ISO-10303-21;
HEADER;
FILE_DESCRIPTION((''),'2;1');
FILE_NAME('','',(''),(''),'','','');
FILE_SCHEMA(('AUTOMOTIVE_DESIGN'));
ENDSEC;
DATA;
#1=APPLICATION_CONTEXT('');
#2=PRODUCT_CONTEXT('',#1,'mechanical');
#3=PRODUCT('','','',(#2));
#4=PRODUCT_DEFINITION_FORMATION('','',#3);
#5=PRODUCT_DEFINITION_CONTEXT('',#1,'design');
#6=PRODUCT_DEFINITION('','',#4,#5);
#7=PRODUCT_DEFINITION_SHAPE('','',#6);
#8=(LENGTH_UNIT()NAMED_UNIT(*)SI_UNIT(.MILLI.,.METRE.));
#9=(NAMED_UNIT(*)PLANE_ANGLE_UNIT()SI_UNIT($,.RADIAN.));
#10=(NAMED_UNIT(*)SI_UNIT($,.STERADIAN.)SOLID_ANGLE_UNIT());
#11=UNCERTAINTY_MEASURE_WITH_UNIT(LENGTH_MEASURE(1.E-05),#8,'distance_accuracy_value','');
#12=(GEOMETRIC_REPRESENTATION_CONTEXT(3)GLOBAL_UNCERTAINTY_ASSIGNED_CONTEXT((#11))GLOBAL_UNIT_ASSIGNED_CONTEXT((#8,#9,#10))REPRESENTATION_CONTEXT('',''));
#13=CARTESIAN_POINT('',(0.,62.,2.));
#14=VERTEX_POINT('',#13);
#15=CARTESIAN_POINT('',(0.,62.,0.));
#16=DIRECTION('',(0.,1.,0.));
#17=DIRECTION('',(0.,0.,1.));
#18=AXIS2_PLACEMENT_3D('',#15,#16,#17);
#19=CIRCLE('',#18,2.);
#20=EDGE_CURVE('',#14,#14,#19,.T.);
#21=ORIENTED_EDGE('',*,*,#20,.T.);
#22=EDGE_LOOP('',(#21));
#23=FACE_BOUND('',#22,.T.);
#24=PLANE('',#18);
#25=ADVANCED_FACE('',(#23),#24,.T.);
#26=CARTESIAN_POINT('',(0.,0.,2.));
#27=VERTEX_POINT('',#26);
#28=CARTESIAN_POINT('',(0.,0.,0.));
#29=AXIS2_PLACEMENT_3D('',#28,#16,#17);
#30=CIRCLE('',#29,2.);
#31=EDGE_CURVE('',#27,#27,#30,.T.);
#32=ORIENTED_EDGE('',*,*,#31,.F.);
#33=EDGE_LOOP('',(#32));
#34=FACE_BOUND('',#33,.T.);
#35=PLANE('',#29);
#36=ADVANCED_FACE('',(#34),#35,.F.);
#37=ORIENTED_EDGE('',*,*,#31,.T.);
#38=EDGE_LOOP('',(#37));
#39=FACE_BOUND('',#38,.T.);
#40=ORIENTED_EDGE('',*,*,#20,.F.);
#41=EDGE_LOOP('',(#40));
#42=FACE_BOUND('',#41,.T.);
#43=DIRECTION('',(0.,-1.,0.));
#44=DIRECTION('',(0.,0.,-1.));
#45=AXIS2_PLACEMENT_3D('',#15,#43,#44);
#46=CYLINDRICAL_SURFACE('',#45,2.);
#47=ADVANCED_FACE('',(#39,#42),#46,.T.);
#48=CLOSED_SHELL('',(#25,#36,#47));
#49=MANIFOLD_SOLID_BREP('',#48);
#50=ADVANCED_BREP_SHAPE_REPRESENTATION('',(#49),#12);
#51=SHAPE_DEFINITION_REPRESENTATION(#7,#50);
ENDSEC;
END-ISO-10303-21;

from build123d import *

# Parameters (mm, degrees)
ESQUISSE1_R        = 2
BOSS_EXTRU_1_DEPTH = 62


with BuildPart() as part:
    # Esquisse1 → Boss.-Extru.1 (new body)
    with BuildSketch(Plane(origin=(0, 0, 0), x_dir=(1, 0, 0), z_dir=(0, 1, 0))):
        with Locations(Location((0, 0, 0), (0, 0, 270))):
            Circle(ESQUISSE1_R)
    extrude(amount=BOSS_EXTRU_1_DEPTH)


solid = part.part
